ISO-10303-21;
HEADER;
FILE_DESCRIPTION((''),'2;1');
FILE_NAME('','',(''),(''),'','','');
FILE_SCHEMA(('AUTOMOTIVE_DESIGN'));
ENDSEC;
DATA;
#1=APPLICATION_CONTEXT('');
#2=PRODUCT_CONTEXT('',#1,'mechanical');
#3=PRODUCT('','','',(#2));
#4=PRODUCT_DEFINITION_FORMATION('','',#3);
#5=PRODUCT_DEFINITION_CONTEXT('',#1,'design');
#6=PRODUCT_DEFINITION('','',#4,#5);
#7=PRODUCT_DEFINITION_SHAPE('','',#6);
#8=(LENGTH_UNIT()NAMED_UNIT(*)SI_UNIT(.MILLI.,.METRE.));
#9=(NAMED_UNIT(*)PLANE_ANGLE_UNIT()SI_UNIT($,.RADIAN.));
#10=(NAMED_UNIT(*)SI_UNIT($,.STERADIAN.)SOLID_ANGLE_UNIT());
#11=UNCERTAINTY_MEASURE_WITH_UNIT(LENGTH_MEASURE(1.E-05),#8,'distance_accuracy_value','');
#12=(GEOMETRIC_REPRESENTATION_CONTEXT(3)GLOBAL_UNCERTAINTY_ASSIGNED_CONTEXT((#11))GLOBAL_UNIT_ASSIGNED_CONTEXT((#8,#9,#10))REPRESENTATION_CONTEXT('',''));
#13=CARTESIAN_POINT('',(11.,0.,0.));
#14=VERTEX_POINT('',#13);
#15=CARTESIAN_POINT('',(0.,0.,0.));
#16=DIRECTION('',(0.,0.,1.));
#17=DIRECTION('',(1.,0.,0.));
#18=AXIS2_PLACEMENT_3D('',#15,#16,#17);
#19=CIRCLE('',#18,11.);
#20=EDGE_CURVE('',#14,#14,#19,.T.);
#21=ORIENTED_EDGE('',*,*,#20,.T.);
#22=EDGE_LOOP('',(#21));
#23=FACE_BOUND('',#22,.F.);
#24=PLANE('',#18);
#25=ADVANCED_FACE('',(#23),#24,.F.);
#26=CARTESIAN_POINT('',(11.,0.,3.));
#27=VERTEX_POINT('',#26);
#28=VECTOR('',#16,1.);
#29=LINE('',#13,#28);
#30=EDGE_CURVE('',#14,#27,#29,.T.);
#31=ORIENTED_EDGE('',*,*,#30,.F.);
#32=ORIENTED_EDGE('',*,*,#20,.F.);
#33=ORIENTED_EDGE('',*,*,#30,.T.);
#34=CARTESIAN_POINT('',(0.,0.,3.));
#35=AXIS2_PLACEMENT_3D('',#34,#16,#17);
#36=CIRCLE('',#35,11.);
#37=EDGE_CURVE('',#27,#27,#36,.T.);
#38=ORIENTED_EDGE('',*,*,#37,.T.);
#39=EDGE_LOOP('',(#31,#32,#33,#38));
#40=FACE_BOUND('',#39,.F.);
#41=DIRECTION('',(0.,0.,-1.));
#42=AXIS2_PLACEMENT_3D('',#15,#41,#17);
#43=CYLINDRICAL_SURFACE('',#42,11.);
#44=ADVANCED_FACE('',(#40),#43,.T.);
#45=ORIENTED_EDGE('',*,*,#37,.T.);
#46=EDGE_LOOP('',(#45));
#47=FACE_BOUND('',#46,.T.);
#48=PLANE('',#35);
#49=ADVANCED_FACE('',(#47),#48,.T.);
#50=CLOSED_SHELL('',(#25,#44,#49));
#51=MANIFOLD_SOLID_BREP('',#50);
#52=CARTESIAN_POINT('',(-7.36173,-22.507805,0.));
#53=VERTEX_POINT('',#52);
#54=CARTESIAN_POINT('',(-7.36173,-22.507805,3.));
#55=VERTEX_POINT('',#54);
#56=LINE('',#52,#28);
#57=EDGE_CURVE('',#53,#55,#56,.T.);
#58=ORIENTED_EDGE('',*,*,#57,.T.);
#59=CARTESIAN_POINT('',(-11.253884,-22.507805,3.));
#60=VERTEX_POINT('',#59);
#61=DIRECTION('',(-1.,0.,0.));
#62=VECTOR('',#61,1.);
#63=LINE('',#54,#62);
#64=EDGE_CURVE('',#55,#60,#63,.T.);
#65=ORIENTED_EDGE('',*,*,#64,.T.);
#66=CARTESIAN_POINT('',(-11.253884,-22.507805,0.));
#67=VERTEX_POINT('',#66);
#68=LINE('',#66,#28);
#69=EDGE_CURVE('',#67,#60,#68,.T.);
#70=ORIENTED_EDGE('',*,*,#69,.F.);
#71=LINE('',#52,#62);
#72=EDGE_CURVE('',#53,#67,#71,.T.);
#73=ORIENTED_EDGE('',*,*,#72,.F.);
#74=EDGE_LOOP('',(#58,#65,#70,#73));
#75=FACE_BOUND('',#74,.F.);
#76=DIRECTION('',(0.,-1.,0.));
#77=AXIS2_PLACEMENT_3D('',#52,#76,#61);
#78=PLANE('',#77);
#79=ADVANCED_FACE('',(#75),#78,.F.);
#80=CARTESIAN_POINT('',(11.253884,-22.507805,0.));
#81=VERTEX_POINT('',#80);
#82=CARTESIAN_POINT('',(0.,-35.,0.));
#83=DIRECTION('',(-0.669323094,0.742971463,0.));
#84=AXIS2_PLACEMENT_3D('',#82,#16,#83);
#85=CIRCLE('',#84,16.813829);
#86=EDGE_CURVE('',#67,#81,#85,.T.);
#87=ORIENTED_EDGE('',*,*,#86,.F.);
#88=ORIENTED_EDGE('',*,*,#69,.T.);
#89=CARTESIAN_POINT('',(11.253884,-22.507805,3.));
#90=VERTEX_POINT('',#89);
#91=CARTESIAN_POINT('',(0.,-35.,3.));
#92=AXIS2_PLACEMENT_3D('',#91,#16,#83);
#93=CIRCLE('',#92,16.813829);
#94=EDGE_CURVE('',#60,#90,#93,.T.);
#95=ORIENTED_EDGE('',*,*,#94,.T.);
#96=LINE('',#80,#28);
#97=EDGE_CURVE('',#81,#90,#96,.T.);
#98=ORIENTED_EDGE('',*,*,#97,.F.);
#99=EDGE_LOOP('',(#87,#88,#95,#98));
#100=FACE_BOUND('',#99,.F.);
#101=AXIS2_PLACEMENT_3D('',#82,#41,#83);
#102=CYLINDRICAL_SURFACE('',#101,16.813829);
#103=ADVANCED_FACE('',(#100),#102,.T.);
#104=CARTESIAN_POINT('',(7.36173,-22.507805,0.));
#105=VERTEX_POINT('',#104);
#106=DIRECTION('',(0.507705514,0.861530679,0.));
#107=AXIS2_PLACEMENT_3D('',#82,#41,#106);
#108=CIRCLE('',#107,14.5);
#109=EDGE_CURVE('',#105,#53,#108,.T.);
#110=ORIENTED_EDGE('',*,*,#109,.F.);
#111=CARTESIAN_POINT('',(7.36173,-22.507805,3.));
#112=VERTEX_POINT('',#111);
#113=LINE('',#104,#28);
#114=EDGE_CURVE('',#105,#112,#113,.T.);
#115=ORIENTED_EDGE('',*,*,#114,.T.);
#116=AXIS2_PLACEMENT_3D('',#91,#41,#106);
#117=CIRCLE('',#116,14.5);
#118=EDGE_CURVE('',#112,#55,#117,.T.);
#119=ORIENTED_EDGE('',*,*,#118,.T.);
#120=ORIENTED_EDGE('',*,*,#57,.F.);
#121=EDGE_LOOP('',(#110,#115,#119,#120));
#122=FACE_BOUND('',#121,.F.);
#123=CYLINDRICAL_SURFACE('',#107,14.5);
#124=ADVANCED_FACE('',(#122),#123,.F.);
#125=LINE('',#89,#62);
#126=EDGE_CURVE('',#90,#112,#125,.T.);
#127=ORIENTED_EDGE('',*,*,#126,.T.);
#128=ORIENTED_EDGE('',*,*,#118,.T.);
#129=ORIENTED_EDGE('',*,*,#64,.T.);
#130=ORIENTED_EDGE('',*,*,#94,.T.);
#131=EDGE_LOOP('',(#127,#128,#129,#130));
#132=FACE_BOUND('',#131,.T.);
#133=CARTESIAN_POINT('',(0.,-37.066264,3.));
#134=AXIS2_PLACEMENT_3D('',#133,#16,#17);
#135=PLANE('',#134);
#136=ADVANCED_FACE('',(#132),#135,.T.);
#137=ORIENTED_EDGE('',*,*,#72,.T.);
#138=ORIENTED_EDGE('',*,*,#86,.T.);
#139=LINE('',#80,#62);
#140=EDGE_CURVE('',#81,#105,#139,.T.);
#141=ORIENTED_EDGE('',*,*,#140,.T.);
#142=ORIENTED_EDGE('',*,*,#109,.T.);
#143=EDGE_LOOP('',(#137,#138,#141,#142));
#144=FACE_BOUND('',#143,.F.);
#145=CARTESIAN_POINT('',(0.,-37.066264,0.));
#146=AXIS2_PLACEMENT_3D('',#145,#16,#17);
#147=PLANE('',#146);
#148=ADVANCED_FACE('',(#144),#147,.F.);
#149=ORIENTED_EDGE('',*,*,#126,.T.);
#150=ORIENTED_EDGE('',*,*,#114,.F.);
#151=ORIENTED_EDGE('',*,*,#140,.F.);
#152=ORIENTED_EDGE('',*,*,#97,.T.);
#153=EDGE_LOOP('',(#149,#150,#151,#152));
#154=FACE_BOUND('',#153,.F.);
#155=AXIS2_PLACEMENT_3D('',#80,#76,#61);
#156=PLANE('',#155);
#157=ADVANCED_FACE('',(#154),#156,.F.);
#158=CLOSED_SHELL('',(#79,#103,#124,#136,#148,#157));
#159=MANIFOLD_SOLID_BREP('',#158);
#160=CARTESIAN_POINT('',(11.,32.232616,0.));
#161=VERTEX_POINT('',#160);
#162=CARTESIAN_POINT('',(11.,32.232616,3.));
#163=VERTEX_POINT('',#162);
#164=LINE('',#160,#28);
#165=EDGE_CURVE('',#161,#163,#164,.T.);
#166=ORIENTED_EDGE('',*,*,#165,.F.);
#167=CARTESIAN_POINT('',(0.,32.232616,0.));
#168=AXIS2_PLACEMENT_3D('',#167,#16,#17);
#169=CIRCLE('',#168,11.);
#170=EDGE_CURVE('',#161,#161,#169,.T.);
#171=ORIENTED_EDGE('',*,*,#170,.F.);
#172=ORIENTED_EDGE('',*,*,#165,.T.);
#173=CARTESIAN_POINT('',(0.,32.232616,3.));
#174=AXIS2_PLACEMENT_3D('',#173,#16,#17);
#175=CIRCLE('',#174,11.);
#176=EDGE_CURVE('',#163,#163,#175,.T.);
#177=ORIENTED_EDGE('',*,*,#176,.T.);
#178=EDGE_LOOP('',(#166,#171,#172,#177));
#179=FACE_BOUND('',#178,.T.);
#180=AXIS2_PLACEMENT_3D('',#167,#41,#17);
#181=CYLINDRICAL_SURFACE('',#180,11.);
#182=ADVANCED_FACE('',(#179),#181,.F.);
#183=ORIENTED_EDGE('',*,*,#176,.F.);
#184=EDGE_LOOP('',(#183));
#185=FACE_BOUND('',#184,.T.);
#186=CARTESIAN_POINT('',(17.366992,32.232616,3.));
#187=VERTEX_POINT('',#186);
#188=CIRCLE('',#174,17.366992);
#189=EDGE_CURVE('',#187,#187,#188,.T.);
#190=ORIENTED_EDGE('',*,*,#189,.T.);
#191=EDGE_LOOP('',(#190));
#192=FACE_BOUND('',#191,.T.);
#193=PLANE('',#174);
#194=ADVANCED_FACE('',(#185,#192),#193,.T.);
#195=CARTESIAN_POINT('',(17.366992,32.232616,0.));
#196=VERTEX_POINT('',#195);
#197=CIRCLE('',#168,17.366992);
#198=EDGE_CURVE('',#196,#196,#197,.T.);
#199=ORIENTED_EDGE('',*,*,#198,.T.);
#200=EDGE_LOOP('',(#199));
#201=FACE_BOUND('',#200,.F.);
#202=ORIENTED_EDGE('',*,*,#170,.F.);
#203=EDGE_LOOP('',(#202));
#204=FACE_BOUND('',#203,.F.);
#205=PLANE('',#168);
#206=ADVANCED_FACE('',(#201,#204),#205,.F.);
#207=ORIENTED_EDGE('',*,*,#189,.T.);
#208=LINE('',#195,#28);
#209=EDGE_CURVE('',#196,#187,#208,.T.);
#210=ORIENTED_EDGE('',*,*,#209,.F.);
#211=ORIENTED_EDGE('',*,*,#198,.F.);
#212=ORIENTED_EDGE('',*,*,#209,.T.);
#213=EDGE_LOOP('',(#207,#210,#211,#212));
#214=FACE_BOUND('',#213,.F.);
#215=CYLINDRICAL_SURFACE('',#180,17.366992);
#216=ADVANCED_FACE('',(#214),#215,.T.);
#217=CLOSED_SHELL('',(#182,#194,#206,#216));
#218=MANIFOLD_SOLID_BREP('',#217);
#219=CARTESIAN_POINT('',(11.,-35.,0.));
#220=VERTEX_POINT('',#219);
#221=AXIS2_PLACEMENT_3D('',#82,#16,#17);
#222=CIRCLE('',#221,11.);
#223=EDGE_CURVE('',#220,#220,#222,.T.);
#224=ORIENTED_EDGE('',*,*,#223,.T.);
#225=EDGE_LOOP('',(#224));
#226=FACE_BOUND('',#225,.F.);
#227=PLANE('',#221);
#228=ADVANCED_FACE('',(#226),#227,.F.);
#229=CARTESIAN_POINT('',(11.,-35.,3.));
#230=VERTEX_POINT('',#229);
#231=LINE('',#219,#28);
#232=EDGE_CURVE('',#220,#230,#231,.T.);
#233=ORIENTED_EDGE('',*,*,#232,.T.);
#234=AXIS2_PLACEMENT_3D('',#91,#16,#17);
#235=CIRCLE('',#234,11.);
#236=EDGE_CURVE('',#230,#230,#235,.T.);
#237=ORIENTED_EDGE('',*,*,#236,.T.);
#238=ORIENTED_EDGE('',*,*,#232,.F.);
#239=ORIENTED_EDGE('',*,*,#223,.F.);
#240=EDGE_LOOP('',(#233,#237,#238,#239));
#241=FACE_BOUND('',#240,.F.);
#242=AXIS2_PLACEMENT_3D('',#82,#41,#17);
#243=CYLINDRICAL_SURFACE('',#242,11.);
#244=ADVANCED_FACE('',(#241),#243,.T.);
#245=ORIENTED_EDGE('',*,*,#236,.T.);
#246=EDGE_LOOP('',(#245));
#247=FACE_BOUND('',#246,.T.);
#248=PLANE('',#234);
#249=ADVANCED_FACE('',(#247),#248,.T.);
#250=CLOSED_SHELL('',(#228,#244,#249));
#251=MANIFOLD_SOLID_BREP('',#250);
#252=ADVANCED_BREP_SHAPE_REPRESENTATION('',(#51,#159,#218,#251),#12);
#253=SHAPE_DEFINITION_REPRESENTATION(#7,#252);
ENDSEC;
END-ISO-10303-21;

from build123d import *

# Parameters (mm, degrees)
F0_R     = 11
F0_R_2   = 17.366992
F1_DEPTH = 3


with BuildPart() as f1:
    # F0 (on Top) → F1 (new body)
    with BuildSketch(Plane.XY):
        with BuildLine():
            ThreePointArc((-11, 0), (0, -11), (11, 0))
            ThreePointArc((11, 0), (0, 11), (-11, 0))
        make_face()
        with BuildLine():
            Line((11.253884, -22.507805), (7.36173, -22.507805))
            ThreePointArc((7.36173, -22.507805), (0, -49.5), (-7.36173, -22.507805))
            Line((-7.36173, -22.507805), (-11.253884, -22.507805))
            ThreePointArc((-11.253884, -22.507805), (0, -51.813829), (11.253884, -22.507805))
        make_face()
        with Locations((0, -35)):
            Circle(F0_R)
        with Locations((0, 32.232616)):
            Circle(F0_R_2)
        with Locations((0, 32.232616)):
            Circle(F0_R, mode=Mode.SUBTRACT)
    extrude(amount=F1_DEPTH)


solid = f1.part
